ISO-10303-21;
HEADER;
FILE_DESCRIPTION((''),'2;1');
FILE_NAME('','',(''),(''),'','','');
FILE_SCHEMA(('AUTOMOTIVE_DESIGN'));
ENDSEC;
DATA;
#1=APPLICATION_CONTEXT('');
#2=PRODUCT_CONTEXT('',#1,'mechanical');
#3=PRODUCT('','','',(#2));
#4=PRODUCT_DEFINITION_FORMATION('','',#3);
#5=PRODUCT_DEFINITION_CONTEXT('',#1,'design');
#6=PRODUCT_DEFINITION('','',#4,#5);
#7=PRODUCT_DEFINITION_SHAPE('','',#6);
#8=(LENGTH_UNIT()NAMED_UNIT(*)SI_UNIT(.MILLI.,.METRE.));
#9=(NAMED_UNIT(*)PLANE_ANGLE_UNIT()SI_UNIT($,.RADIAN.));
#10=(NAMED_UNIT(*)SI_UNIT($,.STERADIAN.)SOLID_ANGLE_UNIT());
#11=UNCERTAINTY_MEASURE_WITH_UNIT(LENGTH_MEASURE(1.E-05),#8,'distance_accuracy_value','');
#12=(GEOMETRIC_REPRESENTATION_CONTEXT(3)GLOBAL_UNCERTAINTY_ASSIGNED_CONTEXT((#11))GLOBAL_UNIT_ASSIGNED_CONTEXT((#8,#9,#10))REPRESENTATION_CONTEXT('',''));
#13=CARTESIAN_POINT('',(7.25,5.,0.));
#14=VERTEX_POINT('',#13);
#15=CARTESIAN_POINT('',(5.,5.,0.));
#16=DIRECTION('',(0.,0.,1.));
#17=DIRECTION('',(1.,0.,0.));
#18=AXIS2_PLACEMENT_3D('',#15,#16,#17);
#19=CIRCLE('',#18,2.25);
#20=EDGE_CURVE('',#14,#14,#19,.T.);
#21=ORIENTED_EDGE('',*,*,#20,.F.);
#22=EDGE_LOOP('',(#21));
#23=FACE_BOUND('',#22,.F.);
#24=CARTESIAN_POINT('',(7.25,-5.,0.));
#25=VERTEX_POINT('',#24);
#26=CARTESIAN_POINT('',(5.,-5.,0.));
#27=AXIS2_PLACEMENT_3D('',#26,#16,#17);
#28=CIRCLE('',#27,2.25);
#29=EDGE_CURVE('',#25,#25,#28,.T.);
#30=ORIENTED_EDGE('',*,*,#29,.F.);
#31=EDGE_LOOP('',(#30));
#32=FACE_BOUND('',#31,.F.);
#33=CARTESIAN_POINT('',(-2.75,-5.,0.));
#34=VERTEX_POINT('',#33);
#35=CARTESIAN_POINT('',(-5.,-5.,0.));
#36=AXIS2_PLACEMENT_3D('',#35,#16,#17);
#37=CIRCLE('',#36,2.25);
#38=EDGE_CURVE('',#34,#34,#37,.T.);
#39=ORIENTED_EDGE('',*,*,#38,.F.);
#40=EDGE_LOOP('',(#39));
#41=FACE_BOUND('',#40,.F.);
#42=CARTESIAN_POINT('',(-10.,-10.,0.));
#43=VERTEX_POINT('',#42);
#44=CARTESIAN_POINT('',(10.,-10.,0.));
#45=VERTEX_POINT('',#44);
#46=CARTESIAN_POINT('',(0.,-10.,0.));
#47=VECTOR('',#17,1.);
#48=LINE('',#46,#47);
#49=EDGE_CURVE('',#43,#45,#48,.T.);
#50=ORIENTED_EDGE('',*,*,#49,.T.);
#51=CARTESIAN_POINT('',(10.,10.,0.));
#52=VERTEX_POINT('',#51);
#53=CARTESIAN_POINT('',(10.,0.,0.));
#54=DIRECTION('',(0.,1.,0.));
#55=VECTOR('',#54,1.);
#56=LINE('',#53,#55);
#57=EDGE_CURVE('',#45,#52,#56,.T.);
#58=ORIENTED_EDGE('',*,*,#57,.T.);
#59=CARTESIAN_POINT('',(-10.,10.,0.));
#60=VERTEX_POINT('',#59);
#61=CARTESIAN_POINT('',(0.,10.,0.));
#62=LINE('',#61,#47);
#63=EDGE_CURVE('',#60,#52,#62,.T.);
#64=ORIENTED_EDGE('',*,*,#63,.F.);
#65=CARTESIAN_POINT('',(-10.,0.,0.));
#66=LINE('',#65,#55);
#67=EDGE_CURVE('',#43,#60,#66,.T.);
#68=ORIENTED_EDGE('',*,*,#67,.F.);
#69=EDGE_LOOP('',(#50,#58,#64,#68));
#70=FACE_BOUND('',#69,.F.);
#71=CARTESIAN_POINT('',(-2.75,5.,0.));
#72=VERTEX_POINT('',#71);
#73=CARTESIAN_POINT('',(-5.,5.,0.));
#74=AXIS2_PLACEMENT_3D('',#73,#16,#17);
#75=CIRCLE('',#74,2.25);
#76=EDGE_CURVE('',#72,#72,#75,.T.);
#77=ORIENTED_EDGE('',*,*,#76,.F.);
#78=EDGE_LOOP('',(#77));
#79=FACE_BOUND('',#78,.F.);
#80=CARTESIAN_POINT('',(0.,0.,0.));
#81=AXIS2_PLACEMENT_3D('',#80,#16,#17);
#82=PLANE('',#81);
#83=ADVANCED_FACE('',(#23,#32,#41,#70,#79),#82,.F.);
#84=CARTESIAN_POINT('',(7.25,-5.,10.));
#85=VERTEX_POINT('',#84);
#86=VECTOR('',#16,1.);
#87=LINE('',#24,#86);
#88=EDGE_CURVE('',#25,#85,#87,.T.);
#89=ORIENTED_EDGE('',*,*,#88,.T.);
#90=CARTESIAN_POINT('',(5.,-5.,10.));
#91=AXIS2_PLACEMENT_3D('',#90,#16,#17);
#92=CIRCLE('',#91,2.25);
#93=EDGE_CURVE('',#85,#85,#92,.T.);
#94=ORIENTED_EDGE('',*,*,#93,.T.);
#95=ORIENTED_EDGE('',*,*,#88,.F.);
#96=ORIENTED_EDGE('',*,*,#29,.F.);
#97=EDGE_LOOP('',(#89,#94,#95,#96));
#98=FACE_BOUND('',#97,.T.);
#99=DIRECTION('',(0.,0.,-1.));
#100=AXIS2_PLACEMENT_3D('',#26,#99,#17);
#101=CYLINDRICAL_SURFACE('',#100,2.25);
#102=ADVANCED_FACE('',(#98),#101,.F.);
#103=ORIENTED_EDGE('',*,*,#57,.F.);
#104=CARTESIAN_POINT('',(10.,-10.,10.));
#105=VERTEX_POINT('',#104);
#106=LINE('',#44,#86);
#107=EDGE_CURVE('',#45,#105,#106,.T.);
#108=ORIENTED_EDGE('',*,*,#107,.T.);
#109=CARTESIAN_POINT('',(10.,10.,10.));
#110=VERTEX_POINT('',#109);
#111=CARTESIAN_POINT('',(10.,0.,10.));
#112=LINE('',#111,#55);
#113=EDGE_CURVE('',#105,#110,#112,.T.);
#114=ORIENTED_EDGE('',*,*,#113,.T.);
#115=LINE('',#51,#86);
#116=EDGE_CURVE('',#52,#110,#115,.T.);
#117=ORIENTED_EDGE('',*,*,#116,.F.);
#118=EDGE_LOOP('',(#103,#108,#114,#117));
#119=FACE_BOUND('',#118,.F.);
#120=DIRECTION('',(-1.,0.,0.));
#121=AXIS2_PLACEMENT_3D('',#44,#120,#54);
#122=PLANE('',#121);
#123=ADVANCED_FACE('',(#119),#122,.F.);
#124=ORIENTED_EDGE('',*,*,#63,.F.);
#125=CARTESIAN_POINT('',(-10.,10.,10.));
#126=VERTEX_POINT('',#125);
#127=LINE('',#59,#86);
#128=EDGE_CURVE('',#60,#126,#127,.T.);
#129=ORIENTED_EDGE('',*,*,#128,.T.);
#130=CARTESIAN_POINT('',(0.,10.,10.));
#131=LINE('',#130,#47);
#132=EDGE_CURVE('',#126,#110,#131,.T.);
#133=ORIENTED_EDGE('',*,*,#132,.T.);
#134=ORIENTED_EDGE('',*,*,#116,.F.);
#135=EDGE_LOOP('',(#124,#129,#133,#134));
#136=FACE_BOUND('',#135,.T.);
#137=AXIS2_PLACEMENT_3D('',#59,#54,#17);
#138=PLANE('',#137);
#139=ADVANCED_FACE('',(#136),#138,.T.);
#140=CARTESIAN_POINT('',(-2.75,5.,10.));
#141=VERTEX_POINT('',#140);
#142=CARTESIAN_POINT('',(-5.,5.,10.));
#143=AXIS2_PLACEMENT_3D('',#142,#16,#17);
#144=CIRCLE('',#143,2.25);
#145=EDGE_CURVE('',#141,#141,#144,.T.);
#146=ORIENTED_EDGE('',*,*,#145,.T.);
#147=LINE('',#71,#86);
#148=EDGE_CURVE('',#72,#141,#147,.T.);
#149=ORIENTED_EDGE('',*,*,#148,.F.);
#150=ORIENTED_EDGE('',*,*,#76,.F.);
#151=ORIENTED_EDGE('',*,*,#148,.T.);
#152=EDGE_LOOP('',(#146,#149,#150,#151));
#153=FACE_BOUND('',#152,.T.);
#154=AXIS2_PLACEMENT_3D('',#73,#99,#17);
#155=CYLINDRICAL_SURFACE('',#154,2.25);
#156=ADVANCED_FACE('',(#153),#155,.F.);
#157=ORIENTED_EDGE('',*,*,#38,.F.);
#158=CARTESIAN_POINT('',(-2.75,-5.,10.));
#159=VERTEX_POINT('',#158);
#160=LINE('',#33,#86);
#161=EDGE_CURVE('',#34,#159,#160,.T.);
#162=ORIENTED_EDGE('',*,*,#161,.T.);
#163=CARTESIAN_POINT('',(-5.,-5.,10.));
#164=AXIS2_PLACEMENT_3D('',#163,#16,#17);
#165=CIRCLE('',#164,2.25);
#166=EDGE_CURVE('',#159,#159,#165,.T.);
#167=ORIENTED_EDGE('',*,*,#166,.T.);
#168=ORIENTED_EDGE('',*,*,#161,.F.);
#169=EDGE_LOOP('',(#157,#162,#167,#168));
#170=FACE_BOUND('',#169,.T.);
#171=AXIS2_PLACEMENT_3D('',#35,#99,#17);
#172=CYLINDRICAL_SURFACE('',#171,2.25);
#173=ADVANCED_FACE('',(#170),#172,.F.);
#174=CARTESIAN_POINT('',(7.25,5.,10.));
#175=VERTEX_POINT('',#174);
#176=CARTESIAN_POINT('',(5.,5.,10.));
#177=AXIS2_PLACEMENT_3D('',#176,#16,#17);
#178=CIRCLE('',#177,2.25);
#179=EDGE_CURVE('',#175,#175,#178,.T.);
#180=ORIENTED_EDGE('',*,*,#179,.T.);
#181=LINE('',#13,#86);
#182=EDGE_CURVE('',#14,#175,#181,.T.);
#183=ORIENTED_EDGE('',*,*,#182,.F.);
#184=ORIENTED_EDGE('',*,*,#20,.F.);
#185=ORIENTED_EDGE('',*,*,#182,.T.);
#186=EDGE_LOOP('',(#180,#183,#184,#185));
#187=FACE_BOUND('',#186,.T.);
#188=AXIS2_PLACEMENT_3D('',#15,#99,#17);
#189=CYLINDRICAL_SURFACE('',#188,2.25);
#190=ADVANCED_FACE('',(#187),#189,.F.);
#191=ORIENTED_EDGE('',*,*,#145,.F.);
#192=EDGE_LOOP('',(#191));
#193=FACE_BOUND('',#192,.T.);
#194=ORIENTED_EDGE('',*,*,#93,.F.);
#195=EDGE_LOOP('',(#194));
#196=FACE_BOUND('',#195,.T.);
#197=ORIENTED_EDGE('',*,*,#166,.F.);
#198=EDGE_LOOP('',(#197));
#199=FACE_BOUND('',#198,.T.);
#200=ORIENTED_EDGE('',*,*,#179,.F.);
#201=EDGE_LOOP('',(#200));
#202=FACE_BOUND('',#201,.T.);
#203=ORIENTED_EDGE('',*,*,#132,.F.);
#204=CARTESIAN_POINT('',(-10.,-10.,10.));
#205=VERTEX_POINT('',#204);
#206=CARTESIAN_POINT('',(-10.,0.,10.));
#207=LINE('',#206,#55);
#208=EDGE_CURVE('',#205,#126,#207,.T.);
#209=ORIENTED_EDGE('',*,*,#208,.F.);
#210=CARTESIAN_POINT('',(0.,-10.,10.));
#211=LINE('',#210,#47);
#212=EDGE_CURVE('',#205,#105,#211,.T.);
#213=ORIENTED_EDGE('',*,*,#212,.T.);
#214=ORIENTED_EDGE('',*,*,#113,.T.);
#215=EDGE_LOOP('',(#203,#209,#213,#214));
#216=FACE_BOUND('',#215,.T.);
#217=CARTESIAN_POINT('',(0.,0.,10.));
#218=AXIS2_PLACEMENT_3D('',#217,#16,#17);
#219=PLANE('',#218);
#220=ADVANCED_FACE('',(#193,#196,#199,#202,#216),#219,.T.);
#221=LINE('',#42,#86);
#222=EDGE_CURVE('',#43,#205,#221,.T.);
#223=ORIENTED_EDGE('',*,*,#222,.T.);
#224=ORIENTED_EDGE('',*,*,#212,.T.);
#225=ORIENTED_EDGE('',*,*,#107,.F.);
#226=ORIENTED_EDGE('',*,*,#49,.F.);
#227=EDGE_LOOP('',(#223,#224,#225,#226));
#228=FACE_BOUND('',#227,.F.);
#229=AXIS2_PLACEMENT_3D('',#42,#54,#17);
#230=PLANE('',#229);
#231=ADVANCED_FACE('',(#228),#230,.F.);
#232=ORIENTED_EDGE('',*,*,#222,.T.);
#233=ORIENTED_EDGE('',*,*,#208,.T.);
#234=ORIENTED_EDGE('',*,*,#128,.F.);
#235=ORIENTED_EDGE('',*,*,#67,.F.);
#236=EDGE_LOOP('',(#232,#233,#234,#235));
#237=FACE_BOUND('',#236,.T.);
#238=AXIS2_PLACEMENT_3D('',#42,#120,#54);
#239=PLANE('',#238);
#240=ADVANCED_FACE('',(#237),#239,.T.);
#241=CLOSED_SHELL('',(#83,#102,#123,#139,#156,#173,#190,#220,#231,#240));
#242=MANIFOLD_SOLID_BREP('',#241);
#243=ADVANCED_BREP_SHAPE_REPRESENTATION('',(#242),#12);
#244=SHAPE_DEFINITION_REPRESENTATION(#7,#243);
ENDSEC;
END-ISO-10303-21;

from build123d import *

# Parameters (mm, degrees)
SKETCH_W  = 20
SKETCH_H  = 20
SKETCH_R  = 2.25
PAD_DEPTH = 10


with BuildPart() as part:
    # Sketch → Pad (new body)
    with BuildSketch(Plane.XY):
        Rectangle(SKETCH_W, SKETCH_H)
        with Locations((-5, 5)):
            Circle(SKETCH_R, mode=Mode.SUBTRACT)
        with Locations((5, 5)):
            Circle(SKETCH_R, mode=Mode.SUBTRACT)
        with Locations((5, -5)):
            Circle(SKETCH_R, mode=Mode.SUBTRACT)
        with Locations((-5, -5)):
            Circle(SKETCH_R, mode=Mode.SUBTRACT)
    extrude(amount=PAD_DEPTH)


solid = part.part
